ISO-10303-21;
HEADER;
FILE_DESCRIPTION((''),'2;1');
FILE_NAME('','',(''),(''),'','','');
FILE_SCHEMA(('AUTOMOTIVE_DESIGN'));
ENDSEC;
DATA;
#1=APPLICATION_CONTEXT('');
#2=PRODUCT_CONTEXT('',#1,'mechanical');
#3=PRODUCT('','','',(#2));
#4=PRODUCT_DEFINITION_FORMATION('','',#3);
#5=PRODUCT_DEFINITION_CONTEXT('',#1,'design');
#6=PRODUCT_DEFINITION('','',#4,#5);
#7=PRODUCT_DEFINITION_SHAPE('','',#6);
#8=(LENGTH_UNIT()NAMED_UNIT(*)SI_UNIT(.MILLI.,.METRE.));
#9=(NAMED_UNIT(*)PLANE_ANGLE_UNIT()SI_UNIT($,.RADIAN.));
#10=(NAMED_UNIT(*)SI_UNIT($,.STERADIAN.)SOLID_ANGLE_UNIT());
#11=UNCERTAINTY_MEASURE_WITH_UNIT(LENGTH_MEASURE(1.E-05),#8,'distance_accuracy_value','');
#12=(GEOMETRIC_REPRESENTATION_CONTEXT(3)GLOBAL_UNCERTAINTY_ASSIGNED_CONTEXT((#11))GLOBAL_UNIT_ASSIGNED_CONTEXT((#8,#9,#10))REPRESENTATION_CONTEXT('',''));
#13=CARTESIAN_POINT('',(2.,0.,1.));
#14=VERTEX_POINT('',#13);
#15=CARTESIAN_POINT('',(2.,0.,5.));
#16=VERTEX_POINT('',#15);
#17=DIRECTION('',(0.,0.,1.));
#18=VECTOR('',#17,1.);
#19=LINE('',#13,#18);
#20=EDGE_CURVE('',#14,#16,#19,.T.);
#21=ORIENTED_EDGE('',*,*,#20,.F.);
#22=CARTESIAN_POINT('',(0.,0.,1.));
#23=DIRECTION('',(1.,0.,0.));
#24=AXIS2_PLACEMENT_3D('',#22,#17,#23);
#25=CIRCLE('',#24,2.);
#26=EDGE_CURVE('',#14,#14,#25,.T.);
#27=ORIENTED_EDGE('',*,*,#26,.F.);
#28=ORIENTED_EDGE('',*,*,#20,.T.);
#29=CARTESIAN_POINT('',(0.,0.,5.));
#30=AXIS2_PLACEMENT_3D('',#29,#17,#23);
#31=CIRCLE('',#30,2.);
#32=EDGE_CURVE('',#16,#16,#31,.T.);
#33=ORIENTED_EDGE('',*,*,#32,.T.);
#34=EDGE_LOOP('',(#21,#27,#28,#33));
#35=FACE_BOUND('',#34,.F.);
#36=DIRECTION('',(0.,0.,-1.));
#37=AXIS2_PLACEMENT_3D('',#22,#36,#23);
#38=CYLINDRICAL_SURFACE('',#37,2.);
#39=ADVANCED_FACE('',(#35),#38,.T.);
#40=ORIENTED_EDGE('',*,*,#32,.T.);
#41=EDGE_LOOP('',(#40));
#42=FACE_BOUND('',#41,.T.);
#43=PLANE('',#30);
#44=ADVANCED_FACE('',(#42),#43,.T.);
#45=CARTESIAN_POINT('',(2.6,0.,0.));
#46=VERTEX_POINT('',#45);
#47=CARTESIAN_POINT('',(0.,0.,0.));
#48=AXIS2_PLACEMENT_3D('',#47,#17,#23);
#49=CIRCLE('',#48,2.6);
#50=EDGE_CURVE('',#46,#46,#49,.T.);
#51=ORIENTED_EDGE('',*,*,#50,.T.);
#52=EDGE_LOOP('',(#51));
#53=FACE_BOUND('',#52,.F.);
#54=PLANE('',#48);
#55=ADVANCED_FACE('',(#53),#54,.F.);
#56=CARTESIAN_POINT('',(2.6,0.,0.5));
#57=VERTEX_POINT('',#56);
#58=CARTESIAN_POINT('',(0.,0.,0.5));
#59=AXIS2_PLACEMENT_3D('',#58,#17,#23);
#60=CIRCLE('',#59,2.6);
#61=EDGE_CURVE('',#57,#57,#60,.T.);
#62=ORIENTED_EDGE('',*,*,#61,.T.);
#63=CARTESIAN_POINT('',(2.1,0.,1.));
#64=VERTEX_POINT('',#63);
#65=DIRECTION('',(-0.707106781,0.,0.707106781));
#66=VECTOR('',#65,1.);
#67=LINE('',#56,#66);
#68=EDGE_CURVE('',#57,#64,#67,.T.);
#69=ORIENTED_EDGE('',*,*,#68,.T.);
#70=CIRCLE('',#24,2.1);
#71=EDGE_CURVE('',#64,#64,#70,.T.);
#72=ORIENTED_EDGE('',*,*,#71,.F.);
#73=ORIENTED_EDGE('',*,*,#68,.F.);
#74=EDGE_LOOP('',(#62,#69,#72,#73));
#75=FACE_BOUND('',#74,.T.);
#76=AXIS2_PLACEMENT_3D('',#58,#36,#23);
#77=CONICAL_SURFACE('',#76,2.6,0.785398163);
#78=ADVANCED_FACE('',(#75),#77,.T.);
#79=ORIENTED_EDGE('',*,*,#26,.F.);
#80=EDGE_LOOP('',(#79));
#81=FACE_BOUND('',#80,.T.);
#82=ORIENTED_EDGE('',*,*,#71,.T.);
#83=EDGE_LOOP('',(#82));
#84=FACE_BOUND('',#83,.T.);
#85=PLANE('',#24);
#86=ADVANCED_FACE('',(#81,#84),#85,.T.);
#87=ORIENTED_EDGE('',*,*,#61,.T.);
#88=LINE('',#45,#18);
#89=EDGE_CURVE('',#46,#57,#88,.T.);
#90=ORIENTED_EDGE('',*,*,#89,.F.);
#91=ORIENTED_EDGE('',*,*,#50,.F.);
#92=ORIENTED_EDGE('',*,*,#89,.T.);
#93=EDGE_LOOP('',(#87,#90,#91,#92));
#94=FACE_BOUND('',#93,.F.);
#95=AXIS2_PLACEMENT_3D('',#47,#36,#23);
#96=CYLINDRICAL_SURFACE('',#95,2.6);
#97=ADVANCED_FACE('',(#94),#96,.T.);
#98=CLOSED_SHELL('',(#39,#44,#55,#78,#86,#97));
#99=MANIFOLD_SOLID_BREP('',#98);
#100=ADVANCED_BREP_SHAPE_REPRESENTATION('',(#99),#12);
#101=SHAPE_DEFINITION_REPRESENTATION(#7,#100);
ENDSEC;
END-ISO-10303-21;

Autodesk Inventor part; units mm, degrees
ref_plane "YZ Plane" through (0, 0, 0) normal (1, 0, 0) x (0, 1, 0)
ref_plane "XZ Plane" through (0, 0, 0) normal (0, 1, 0) x (-1, 0, 0)
ref_plane "XY Plane" through (0, 0, 0) normal (0, 0, 1) x (1, 0, 0)
sketch "Sketch1" plane through (0, 0, 0) normal (0, 0, 1) x (1, 0, 0)
  circle A0 centre (0, 0) radius 2.6
  dimension "d0" = 5.2
extrude "Extrusion1" add sketch "Sketch1" along normal blind 1
sketch "Sketch2" plane through (0, 0, 1) normal (0, 0, 1) x (1, 0, 0)
  circle A0 centre (0, 0) radius 2
  dimension "d3" = 4
extrude "Extrusion2" add sketch "Sketch2" along normal blind 4
thread "Thread1" size "M4x0.7" class "6g" standard "ANSI Metric M Profile" full length
chamfer "Chamfer2" distance 0.5 angle 45 1 edges at (-2.6, 0, 1)
properties part number "M4x5flat"
